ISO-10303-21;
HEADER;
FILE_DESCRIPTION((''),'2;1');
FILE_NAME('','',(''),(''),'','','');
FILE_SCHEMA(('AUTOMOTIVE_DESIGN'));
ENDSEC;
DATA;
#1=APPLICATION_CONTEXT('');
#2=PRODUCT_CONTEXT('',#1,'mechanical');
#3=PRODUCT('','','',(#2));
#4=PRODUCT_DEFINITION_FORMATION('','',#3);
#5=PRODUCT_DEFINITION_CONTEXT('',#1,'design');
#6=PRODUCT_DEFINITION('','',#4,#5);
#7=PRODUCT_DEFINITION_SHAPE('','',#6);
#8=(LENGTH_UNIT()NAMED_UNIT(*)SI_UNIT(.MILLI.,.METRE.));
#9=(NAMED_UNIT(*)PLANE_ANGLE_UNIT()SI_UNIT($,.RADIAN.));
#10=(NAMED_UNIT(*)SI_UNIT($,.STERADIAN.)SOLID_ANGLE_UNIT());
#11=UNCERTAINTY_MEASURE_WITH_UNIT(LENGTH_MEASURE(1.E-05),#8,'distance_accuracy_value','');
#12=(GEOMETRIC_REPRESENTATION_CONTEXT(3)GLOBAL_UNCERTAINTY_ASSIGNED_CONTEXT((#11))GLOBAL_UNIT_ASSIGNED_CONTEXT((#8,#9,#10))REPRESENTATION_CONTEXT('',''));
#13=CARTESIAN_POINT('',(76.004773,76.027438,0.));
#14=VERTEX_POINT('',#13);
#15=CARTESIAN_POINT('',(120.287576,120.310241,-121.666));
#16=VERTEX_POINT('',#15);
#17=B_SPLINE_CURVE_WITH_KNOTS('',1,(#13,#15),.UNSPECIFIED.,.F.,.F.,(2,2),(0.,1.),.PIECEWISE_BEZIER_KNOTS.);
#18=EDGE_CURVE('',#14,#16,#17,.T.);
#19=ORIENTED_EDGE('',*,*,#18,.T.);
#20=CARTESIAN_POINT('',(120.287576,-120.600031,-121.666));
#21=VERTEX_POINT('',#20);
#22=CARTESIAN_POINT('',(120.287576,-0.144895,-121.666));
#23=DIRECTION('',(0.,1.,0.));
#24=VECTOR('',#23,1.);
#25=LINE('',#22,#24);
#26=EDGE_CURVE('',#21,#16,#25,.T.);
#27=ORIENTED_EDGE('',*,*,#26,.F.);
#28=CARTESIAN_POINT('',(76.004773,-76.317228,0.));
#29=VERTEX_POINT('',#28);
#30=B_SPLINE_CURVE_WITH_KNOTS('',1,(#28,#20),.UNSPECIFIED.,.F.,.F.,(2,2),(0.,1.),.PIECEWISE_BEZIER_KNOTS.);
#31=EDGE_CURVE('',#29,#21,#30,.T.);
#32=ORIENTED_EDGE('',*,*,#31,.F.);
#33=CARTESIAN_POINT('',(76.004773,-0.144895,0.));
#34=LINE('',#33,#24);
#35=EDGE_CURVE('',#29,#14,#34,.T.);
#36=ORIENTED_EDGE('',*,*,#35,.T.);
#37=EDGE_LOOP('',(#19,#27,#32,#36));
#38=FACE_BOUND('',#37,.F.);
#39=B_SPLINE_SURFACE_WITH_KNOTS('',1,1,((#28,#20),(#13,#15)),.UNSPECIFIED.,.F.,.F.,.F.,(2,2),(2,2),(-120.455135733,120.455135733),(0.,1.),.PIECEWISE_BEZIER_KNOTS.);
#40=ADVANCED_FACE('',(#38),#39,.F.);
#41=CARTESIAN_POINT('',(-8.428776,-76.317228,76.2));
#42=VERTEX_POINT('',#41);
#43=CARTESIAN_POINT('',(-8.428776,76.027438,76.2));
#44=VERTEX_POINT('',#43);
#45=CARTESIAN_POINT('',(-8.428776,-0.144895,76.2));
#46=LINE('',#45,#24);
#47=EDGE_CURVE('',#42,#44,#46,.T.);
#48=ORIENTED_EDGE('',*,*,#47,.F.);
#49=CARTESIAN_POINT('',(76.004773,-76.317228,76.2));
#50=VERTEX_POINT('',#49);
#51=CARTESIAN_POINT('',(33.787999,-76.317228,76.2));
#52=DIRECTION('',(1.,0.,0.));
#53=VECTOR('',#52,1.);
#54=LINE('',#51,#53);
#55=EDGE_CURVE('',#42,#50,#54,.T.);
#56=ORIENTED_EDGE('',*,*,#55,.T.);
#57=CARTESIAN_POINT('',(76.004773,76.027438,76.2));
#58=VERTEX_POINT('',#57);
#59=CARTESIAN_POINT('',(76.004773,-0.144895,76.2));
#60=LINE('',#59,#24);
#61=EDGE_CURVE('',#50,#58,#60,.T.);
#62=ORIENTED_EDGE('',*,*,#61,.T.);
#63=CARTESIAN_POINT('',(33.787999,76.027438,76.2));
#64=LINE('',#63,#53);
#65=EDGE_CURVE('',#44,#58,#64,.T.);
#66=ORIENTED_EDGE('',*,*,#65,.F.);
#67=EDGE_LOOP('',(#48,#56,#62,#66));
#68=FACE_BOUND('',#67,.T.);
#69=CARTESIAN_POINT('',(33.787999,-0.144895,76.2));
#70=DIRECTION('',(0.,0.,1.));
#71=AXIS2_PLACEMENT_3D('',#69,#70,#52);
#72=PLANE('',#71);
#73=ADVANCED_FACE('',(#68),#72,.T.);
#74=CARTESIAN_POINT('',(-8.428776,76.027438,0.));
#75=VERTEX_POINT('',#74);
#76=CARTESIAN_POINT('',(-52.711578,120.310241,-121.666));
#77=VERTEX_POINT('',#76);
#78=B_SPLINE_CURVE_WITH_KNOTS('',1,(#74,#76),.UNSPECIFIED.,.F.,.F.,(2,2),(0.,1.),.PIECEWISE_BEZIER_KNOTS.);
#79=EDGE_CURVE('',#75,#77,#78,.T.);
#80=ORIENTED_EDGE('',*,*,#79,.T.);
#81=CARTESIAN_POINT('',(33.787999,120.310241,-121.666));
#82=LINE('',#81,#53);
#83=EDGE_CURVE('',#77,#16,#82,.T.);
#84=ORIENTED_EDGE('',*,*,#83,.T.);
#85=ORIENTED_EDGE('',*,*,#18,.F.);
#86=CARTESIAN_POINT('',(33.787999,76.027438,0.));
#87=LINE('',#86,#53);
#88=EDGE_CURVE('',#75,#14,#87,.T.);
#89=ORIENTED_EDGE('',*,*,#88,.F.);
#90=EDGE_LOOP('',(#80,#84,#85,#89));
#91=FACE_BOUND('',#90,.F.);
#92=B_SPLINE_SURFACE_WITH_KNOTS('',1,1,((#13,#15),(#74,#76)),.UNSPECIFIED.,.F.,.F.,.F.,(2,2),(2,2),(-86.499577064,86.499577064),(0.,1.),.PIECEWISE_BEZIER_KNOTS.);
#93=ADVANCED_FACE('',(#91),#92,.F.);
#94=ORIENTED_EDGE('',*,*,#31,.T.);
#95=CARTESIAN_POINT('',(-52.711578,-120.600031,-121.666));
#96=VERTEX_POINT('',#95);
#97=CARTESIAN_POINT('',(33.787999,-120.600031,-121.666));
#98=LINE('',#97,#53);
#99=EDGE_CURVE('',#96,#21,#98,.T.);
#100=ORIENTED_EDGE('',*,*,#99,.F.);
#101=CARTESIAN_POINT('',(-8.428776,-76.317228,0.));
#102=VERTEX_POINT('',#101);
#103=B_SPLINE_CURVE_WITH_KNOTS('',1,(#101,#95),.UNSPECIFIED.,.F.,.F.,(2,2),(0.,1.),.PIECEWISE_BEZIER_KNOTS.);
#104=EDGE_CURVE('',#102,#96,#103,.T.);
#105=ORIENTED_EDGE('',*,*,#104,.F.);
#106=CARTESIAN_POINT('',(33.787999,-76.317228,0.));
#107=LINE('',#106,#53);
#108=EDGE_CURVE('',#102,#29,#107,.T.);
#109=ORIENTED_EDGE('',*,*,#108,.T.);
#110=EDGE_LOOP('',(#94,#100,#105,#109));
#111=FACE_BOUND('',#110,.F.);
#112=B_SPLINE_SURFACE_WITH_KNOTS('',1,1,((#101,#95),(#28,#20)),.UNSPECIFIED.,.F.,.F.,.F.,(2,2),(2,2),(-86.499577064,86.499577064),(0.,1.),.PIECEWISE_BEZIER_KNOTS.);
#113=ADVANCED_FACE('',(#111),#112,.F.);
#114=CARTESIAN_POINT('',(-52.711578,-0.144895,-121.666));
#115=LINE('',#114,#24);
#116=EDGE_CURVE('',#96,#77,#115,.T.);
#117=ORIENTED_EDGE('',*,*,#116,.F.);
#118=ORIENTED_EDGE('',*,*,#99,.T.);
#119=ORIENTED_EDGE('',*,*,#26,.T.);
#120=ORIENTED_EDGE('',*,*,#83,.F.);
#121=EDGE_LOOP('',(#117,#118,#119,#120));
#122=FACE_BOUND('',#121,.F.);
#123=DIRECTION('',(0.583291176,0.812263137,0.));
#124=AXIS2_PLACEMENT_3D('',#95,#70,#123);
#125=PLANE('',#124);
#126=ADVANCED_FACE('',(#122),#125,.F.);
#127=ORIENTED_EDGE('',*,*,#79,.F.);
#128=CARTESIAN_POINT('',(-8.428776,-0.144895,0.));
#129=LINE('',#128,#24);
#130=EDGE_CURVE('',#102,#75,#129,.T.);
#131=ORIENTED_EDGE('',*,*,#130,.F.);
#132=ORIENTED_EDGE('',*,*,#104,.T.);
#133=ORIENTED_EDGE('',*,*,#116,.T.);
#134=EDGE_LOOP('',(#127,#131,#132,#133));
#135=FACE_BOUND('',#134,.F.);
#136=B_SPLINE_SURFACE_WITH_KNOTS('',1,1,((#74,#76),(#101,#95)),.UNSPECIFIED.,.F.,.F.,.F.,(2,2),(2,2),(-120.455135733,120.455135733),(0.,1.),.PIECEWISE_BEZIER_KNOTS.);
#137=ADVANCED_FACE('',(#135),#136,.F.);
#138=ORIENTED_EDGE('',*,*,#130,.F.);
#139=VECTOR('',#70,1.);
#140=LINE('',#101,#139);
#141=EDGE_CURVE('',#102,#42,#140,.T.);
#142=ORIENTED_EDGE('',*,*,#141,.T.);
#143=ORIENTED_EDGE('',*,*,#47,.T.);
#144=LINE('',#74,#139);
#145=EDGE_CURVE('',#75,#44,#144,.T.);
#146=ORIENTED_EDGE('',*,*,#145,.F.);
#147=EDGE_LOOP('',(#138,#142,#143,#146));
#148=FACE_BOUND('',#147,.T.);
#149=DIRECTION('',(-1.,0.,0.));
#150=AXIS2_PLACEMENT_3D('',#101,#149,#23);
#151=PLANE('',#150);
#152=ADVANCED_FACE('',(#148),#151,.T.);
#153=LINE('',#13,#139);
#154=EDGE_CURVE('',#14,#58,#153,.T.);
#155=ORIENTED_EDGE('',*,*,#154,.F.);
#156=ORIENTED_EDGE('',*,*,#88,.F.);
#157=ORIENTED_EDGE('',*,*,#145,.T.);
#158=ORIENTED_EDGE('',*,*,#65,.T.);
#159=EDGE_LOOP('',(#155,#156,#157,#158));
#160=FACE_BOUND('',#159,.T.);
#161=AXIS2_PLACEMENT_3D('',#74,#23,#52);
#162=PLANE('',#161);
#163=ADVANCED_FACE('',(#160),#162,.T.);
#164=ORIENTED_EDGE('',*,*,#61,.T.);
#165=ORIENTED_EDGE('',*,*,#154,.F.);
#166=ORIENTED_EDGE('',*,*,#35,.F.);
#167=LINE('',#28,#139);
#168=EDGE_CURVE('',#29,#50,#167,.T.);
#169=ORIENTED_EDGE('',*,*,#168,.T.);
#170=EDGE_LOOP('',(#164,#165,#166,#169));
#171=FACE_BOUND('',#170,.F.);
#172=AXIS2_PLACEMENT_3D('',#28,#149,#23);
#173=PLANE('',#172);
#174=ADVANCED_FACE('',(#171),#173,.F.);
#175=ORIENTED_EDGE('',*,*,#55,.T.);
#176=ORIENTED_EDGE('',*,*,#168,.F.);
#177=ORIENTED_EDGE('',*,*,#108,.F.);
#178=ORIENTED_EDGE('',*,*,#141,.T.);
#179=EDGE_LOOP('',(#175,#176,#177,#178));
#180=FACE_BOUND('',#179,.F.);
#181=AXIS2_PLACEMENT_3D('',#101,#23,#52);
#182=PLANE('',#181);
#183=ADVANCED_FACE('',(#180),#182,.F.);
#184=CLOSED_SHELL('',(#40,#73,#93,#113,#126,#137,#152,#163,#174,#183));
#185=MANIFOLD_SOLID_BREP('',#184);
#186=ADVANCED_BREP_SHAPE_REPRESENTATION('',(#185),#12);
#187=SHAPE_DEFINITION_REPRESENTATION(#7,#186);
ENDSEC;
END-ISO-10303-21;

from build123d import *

# Parameters (mm, degrees)
F0_W          = 84.4335490838
F0_H          = 152.3446664214
F1_DEPTH      = 76.2
F1_DEPTH_BACK = 121.666
F1_TAPER_BACK = -20


with BuildPart() as f1:
    # F0 (on Top) → F1 (new body, two sides)
    with BuildSketch(Plane.XY) as f1_sk:
        with Locations((33.7879988365, -0.1448951662)):
            Rectangle(F0_W, F0_H)
    extrude(amount=F1_DEPTH)
    extrude(f1_sk.sketch, amount=-F1_DEPTH_BACK, taper=F1_TAPER_BACK)


solid = f1.part
